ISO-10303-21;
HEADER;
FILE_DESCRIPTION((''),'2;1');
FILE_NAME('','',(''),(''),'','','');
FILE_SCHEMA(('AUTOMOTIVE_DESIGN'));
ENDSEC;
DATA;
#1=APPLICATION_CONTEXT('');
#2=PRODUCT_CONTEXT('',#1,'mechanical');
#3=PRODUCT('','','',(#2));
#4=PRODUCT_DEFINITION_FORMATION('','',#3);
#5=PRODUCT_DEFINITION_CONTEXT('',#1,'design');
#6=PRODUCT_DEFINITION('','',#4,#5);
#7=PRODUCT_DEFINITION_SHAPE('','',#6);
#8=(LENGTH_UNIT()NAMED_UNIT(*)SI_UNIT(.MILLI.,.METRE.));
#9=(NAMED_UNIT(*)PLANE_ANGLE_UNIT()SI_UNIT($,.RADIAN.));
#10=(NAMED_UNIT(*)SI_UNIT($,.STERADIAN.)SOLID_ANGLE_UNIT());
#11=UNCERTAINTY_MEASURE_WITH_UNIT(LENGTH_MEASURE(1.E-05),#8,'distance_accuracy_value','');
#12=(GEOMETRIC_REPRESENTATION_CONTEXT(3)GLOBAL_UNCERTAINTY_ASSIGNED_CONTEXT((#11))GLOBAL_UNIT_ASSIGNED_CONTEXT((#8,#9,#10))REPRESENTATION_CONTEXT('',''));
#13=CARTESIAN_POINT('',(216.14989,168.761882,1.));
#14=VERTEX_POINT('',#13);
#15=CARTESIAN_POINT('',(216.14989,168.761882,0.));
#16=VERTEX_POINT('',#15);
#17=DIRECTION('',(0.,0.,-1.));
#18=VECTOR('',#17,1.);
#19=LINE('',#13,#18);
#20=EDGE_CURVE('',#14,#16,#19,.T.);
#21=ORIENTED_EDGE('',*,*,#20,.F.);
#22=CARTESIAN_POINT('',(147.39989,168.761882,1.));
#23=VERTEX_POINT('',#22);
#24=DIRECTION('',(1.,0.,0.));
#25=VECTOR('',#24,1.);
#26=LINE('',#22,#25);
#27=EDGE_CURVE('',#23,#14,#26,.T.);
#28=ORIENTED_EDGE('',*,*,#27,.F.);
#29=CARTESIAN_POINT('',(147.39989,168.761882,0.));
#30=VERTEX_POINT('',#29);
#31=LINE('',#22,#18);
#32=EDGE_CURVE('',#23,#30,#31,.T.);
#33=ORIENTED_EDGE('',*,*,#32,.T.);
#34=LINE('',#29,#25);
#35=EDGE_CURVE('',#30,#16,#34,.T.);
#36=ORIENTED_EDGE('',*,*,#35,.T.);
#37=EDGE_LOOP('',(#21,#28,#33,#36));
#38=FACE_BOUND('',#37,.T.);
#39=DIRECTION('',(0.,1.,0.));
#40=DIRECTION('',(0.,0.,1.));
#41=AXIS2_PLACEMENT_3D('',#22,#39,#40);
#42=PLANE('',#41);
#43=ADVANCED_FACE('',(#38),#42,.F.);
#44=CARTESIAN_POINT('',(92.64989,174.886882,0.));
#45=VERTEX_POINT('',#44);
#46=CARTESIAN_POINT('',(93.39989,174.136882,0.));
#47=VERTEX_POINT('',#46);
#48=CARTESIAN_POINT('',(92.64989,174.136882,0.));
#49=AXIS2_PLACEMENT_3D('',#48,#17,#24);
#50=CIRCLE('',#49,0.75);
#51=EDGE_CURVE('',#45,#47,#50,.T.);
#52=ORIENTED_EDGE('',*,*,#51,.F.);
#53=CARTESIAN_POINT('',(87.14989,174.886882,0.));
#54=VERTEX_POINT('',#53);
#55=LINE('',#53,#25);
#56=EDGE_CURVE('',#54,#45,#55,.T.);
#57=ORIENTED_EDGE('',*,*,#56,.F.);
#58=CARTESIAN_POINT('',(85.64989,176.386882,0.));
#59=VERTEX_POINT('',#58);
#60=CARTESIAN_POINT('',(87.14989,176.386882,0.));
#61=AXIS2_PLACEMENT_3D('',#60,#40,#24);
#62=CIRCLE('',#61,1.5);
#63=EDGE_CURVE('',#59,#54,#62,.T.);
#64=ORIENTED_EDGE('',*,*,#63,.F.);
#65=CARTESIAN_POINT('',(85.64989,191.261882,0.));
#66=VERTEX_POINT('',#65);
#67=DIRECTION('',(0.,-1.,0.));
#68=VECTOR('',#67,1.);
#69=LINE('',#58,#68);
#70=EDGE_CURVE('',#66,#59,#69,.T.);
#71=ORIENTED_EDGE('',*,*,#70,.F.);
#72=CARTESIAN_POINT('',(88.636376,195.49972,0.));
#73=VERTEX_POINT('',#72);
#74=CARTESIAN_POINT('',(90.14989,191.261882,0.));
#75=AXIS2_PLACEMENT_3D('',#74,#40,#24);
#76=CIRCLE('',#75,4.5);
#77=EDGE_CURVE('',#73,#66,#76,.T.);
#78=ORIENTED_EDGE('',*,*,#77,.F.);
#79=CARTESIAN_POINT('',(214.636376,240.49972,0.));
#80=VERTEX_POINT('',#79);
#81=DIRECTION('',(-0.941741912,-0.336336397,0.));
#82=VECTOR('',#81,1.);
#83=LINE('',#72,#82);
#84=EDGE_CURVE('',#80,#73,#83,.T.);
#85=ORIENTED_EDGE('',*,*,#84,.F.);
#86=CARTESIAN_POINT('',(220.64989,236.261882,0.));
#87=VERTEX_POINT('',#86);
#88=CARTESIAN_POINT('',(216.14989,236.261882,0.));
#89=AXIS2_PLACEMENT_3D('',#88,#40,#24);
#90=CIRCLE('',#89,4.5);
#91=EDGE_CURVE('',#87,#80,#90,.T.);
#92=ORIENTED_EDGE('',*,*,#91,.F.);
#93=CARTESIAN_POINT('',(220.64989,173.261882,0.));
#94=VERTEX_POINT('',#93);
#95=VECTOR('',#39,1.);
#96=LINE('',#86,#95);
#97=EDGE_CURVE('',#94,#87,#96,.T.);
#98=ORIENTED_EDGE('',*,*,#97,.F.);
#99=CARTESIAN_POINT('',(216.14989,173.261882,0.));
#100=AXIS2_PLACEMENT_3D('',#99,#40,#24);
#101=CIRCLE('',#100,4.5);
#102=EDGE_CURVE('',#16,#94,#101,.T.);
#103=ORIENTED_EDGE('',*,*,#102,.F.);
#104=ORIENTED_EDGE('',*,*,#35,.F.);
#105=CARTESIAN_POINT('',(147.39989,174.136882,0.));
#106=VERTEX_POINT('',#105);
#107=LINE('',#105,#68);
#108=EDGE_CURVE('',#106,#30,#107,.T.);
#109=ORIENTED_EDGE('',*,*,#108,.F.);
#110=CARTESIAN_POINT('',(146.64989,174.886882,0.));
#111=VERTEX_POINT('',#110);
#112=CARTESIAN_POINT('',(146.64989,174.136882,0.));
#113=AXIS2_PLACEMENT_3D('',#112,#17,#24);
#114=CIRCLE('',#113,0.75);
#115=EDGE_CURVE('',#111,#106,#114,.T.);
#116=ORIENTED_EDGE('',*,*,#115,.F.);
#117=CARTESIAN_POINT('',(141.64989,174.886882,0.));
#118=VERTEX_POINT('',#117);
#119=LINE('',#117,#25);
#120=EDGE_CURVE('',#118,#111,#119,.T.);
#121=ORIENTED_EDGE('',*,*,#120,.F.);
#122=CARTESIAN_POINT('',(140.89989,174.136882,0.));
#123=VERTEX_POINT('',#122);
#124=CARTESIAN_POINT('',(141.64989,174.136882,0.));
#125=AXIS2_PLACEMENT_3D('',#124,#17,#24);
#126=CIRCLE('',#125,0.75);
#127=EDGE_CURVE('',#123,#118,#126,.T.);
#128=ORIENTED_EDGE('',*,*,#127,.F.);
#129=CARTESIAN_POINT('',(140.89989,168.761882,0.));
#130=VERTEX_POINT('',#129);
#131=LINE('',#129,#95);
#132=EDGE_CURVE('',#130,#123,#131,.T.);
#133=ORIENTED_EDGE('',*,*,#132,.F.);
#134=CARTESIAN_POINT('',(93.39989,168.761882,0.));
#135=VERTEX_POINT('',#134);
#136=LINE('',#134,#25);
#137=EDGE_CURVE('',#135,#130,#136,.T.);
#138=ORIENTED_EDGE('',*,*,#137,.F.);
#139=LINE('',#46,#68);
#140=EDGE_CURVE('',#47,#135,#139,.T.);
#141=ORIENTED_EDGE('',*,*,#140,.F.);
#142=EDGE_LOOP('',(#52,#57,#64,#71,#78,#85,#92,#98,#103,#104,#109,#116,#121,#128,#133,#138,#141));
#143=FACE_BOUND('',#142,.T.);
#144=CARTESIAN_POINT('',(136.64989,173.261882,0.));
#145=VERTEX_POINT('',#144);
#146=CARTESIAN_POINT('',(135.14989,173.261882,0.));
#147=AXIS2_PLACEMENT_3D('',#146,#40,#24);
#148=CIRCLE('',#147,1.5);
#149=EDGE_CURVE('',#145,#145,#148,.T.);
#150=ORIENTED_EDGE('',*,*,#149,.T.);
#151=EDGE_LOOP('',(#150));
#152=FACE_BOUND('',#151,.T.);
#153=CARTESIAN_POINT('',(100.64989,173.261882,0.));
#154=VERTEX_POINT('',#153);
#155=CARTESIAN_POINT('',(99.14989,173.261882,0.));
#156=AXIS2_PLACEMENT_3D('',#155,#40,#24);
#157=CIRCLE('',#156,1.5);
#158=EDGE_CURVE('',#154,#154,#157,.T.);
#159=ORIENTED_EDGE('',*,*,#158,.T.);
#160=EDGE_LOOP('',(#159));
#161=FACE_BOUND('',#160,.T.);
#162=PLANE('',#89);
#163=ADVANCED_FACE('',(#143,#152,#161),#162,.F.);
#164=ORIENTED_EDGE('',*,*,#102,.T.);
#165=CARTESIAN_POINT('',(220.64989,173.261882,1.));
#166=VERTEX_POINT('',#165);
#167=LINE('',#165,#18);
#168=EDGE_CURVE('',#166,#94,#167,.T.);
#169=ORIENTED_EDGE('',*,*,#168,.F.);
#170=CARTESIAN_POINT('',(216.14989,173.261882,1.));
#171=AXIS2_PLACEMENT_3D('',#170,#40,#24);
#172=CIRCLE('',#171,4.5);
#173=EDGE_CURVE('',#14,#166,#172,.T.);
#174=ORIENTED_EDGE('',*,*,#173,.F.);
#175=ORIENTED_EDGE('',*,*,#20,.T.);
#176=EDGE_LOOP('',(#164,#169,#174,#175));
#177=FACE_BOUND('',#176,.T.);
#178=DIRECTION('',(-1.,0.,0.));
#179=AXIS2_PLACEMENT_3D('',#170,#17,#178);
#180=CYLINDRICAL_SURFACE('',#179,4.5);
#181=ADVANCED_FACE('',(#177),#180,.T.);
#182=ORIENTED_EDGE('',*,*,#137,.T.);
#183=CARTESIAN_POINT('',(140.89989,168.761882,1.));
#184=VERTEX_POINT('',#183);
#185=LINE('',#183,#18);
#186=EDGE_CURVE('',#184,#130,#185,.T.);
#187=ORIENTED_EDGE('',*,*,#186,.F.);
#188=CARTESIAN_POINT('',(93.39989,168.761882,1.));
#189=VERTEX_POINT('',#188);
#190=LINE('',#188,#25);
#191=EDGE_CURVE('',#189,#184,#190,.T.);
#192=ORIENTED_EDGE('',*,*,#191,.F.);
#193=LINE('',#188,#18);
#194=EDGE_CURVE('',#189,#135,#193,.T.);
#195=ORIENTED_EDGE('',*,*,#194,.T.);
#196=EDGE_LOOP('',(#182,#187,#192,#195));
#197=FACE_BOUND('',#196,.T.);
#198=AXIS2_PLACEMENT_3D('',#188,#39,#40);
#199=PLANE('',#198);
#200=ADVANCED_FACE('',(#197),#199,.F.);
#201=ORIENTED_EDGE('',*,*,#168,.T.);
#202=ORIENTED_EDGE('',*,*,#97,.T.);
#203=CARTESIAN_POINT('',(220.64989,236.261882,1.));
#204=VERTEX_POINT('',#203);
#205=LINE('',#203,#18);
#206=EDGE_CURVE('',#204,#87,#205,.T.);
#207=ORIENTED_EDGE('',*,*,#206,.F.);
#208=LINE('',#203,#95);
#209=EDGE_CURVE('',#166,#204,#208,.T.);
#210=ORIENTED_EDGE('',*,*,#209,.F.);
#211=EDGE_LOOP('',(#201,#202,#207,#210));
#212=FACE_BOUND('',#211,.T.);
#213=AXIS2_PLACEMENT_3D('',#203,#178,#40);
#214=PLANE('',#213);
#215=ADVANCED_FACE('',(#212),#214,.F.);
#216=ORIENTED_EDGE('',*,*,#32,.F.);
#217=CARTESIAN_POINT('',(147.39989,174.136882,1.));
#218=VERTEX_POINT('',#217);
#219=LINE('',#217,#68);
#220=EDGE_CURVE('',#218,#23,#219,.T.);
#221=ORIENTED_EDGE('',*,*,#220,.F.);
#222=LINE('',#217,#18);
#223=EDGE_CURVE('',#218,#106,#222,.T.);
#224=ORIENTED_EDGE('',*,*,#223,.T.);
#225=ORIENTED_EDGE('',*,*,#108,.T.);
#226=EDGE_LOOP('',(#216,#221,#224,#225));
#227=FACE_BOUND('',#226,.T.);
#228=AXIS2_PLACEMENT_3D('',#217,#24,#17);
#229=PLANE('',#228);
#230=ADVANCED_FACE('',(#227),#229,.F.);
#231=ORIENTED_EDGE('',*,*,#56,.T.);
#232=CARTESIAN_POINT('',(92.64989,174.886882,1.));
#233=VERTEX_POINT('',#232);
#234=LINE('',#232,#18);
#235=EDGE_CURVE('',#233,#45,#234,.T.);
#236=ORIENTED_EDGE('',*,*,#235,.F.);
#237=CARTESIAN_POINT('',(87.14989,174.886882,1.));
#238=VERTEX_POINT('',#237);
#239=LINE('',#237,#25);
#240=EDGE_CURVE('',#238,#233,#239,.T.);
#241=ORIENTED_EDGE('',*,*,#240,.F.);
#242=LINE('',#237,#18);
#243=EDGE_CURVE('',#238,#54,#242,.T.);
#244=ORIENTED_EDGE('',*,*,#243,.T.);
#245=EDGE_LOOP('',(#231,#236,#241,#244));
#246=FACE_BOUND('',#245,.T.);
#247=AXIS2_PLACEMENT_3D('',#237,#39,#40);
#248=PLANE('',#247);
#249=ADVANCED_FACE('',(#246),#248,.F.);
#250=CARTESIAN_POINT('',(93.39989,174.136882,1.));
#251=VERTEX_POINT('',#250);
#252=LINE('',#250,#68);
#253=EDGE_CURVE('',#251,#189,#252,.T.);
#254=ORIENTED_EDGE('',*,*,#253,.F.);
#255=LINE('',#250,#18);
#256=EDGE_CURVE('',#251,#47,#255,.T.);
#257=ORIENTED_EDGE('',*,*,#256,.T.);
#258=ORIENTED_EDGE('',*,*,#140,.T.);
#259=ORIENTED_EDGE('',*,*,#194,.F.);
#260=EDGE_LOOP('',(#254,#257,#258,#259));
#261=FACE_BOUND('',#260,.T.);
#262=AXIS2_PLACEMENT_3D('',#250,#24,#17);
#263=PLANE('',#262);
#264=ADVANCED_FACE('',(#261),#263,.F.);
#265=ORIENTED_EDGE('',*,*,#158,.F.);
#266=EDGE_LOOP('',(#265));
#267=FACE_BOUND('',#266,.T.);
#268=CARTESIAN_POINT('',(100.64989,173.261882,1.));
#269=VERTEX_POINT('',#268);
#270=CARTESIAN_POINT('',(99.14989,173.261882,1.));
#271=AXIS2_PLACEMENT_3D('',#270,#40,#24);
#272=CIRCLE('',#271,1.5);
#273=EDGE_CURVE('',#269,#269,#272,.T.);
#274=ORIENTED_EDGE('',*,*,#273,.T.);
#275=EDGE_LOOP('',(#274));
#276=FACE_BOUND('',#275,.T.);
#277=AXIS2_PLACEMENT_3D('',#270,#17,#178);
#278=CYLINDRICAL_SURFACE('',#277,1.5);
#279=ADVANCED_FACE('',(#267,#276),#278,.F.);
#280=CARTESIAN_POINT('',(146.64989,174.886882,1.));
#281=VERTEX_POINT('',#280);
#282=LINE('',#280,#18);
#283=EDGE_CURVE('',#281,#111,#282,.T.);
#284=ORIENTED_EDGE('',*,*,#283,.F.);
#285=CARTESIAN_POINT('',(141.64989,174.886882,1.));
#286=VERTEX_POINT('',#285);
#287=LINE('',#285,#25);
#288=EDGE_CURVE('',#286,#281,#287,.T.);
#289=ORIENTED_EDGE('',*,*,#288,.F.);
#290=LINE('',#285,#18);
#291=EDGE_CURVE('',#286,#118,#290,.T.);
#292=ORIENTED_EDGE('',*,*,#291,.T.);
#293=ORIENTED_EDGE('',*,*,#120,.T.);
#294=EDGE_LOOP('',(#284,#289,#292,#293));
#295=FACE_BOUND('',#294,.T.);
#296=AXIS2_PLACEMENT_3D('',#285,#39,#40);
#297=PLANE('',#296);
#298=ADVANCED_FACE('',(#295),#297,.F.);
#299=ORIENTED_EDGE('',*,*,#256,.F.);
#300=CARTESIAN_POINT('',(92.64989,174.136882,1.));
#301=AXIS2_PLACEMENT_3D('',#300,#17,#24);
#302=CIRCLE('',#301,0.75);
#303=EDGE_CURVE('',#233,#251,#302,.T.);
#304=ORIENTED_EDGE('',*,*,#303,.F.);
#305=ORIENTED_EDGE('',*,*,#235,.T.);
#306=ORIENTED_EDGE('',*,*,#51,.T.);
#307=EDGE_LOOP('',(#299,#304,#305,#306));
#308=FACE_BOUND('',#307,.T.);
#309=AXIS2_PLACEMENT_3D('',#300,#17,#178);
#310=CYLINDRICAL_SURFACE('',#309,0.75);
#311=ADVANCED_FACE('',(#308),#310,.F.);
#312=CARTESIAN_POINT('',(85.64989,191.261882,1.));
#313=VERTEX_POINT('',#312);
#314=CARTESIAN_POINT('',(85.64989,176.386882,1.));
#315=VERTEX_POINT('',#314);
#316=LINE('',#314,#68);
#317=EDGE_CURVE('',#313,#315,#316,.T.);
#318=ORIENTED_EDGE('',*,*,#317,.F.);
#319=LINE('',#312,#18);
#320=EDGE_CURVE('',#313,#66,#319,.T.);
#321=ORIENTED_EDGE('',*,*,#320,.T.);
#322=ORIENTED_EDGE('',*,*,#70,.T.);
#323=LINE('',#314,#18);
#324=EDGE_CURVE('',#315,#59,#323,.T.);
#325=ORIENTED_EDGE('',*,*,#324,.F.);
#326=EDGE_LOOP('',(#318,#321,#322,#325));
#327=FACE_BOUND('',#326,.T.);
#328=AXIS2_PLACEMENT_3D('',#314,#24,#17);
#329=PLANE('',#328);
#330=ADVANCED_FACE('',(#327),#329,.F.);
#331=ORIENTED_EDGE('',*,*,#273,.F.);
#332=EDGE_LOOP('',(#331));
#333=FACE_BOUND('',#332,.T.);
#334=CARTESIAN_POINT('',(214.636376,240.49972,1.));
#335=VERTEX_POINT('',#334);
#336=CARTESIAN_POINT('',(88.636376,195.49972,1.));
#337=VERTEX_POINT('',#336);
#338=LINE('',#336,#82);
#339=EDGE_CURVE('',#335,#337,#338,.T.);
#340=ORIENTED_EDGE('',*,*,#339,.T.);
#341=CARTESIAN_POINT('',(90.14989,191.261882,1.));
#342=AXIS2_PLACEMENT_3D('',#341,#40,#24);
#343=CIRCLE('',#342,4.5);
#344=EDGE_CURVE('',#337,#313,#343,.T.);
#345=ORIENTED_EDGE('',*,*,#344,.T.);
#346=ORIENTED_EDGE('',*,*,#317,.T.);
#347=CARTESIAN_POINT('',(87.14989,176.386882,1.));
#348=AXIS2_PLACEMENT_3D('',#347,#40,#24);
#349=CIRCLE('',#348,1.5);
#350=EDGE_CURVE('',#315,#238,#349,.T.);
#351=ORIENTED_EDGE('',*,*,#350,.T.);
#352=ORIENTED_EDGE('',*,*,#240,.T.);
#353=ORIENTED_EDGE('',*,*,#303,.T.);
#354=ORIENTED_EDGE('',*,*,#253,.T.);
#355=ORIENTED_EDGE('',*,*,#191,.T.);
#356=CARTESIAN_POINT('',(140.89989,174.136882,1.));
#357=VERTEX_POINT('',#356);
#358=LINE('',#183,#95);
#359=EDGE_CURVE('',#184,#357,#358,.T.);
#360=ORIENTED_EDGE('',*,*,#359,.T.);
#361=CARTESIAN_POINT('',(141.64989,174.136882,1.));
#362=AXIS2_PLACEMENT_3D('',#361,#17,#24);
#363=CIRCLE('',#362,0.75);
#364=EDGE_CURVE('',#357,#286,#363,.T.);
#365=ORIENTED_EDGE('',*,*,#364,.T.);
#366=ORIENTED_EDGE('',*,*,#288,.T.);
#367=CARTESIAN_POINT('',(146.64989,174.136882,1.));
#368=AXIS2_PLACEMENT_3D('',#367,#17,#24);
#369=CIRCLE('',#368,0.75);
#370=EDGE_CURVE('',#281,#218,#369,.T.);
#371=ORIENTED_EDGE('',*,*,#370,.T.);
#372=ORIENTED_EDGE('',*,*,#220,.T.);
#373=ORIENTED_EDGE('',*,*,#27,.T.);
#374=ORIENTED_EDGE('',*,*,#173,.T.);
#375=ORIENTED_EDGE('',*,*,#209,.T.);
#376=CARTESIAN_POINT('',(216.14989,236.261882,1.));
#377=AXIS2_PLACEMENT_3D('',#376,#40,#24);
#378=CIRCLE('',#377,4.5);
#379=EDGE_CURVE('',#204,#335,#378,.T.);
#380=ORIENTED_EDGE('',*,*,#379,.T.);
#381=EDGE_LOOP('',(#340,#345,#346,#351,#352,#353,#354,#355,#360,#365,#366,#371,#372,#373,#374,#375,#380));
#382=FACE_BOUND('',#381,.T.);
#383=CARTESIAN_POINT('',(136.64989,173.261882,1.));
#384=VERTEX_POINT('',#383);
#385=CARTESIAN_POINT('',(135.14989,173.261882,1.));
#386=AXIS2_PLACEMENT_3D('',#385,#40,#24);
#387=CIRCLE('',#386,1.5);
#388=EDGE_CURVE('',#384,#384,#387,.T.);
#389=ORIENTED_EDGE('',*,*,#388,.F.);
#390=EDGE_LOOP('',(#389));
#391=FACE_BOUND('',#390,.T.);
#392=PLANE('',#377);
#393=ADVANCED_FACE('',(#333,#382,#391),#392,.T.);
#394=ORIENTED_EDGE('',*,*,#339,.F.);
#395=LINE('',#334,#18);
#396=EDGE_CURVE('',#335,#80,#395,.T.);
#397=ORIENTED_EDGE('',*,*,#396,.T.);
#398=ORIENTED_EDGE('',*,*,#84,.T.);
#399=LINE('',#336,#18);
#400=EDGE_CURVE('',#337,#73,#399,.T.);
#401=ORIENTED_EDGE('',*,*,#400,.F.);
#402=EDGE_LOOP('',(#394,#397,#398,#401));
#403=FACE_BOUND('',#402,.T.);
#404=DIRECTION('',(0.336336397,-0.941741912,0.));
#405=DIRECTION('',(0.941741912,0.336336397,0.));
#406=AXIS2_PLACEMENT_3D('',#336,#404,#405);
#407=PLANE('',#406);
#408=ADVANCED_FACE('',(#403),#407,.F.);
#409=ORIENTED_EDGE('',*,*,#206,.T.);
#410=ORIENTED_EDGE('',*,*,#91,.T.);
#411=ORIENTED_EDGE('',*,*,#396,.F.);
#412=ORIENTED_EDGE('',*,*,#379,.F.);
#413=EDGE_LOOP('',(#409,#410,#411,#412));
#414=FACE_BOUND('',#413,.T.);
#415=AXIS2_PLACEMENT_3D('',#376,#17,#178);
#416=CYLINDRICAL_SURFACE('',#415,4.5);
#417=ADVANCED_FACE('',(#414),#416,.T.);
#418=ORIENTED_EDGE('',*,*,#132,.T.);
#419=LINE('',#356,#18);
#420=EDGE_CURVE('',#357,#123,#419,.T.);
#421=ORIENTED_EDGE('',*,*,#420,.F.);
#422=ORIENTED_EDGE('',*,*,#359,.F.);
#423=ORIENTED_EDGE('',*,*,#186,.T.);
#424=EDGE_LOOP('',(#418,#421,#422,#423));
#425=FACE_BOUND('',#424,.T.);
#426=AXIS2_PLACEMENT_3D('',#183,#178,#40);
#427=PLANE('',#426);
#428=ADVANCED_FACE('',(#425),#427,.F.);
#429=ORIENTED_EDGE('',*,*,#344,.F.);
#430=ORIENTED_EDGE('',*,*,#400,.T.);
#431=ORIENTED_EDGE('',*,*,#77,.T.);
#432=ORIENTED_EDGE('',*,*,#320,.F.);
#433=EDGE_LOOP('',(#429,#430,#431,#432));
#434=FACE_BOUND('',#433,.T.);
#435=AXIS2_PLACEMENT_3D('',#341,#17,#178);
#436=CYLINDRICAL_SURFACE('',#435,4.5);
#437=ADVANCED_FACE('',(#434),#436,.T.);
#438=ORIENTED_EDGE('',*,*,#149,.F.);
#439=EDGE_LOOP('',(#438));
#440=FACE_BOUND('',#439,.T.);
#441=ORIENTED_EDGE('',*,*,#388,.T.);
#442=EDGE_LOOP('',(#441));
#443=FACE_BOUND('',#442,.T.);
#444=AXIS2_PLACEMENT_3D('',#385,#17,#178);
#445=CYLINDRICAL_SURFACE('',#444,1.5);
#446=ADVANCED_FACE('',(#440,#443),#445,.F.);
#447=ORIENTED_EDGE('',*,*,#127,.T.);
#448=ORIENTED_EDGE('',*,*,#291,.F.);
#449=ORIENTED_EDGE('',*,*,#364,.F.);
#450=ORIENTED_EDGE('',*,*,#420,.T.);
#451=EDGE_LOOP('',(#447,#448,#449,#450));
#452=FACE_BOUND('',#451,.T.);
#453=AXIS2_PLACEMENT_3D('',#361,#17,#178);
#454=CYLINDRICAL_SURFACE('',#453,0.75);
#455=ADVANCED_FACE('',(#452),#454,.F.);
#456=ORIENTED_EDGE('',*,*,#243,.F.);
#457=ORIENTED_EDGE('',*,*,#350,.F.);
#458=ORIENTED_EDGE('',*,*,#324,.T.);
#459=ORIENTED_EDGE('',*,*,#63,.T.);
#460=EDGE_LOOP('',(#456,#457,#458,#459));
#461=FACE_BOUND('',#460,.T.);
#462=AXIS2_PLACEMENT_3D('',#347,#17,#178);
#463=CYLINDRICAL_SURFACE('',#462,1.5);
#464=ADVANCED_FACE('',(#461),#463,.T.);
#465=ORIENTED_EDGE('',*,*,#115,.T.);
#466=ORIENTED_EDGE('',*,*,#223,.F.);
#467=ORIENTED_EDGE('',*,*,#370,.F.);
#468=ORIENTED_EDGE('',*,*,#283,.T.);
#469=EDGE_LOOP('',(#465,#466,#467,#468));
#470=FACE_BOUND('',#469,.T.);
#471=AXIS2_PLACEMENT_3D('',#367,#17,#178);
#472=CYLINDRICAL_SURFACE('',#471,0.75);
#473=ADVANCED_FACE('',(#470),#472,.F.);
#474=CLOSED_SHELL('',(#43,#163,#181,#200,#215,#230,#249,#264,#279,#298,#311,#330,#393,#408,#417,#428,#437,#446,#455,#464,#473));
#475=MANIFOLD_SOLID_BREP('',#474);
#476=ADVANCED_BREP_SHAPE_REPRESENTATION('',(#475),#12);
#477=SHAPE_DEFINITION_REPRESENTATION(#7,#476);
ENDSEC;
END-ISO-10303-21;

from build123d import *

# Parameters (mm, degrees)
MODEL_R                 = 1.5
SALIENTE_EXTRUIR1_DEPTH = 1


with BuildPart() as part:
    # Model → Saliente-Extruir1 (new body)
    with BuildSketch(Plane.XY):
        with BuildLine():
            Line((147.399890085, 168.7618816), (216.149890085, 168.7618816))
            ThreePointArc((216.149890085, 168.7618816), (219.3318706, 170.079901084), (220.649890085, 173.2618816))
            Line((220.649890085, 173.2618816), (220.649890085, 236.2618816))
            ThreePointArc((220.649890085, 236.2618816), (218.74210805, 239.940251622), (214.636376298, 240.499720202))
            Line((214.636376298, 240.499720202), (88.636376298, 195.499720202))
            ThreePointArc((88.636376298, 195.499720202), (86.471520063, 193.854099565), (85.649890085, 191.2618816))
            Line((85.649890085, 191.2618816), (85.649890085, 176.3868816))
            ThreePointArc((85.649890085, 176.3868816), (86.089229913, 175.326221428), (87.149890085, 174.8868816))
            Line((87.149890085, 174.8868816), (92.649890085, 174.8868816))
            ThreePointArc((92.649890085, 174.8868816), (93.180220171, 174.667211686), (93.399890085, 174.1368816))
            Line((93.399890085, 174.1368816), (93.399890085, 168.7618816))
            Line((93.399890085, 168.7618816), (140.899890085, 168.7618816))
            Line((140.899890085, 168.7618816), (140.899890085, 174.1368816))
            ThreePointArc((140.899890085, 174.1368816), (141.119559999, 174.667211686), (141.649890085, 174.8868816))
            Line((141.649890085, 174.8868816), (146.649890085, 174.8868816))
            ThreePointArc((146.649890085, 174.8868816), (147.180220171, 174.667211686), (147.399890085, 174.1368816))
            Line((147.399890085, 174.1368816), (147.399890085, 168.7618816))
        make_face()
        with Locations((99.149890085, 173.2618816)):
            Circle(MODEL_R, mode=Mode.SUBTRACT)
        with Locations((135.149890085, 173.2618816)):
            Circle(MODEL_R, mode=Mode.SUBTRACT)
    extrude(amount=SALIENTE_EXTRUIR1_DEPTH)


solid = part.part
